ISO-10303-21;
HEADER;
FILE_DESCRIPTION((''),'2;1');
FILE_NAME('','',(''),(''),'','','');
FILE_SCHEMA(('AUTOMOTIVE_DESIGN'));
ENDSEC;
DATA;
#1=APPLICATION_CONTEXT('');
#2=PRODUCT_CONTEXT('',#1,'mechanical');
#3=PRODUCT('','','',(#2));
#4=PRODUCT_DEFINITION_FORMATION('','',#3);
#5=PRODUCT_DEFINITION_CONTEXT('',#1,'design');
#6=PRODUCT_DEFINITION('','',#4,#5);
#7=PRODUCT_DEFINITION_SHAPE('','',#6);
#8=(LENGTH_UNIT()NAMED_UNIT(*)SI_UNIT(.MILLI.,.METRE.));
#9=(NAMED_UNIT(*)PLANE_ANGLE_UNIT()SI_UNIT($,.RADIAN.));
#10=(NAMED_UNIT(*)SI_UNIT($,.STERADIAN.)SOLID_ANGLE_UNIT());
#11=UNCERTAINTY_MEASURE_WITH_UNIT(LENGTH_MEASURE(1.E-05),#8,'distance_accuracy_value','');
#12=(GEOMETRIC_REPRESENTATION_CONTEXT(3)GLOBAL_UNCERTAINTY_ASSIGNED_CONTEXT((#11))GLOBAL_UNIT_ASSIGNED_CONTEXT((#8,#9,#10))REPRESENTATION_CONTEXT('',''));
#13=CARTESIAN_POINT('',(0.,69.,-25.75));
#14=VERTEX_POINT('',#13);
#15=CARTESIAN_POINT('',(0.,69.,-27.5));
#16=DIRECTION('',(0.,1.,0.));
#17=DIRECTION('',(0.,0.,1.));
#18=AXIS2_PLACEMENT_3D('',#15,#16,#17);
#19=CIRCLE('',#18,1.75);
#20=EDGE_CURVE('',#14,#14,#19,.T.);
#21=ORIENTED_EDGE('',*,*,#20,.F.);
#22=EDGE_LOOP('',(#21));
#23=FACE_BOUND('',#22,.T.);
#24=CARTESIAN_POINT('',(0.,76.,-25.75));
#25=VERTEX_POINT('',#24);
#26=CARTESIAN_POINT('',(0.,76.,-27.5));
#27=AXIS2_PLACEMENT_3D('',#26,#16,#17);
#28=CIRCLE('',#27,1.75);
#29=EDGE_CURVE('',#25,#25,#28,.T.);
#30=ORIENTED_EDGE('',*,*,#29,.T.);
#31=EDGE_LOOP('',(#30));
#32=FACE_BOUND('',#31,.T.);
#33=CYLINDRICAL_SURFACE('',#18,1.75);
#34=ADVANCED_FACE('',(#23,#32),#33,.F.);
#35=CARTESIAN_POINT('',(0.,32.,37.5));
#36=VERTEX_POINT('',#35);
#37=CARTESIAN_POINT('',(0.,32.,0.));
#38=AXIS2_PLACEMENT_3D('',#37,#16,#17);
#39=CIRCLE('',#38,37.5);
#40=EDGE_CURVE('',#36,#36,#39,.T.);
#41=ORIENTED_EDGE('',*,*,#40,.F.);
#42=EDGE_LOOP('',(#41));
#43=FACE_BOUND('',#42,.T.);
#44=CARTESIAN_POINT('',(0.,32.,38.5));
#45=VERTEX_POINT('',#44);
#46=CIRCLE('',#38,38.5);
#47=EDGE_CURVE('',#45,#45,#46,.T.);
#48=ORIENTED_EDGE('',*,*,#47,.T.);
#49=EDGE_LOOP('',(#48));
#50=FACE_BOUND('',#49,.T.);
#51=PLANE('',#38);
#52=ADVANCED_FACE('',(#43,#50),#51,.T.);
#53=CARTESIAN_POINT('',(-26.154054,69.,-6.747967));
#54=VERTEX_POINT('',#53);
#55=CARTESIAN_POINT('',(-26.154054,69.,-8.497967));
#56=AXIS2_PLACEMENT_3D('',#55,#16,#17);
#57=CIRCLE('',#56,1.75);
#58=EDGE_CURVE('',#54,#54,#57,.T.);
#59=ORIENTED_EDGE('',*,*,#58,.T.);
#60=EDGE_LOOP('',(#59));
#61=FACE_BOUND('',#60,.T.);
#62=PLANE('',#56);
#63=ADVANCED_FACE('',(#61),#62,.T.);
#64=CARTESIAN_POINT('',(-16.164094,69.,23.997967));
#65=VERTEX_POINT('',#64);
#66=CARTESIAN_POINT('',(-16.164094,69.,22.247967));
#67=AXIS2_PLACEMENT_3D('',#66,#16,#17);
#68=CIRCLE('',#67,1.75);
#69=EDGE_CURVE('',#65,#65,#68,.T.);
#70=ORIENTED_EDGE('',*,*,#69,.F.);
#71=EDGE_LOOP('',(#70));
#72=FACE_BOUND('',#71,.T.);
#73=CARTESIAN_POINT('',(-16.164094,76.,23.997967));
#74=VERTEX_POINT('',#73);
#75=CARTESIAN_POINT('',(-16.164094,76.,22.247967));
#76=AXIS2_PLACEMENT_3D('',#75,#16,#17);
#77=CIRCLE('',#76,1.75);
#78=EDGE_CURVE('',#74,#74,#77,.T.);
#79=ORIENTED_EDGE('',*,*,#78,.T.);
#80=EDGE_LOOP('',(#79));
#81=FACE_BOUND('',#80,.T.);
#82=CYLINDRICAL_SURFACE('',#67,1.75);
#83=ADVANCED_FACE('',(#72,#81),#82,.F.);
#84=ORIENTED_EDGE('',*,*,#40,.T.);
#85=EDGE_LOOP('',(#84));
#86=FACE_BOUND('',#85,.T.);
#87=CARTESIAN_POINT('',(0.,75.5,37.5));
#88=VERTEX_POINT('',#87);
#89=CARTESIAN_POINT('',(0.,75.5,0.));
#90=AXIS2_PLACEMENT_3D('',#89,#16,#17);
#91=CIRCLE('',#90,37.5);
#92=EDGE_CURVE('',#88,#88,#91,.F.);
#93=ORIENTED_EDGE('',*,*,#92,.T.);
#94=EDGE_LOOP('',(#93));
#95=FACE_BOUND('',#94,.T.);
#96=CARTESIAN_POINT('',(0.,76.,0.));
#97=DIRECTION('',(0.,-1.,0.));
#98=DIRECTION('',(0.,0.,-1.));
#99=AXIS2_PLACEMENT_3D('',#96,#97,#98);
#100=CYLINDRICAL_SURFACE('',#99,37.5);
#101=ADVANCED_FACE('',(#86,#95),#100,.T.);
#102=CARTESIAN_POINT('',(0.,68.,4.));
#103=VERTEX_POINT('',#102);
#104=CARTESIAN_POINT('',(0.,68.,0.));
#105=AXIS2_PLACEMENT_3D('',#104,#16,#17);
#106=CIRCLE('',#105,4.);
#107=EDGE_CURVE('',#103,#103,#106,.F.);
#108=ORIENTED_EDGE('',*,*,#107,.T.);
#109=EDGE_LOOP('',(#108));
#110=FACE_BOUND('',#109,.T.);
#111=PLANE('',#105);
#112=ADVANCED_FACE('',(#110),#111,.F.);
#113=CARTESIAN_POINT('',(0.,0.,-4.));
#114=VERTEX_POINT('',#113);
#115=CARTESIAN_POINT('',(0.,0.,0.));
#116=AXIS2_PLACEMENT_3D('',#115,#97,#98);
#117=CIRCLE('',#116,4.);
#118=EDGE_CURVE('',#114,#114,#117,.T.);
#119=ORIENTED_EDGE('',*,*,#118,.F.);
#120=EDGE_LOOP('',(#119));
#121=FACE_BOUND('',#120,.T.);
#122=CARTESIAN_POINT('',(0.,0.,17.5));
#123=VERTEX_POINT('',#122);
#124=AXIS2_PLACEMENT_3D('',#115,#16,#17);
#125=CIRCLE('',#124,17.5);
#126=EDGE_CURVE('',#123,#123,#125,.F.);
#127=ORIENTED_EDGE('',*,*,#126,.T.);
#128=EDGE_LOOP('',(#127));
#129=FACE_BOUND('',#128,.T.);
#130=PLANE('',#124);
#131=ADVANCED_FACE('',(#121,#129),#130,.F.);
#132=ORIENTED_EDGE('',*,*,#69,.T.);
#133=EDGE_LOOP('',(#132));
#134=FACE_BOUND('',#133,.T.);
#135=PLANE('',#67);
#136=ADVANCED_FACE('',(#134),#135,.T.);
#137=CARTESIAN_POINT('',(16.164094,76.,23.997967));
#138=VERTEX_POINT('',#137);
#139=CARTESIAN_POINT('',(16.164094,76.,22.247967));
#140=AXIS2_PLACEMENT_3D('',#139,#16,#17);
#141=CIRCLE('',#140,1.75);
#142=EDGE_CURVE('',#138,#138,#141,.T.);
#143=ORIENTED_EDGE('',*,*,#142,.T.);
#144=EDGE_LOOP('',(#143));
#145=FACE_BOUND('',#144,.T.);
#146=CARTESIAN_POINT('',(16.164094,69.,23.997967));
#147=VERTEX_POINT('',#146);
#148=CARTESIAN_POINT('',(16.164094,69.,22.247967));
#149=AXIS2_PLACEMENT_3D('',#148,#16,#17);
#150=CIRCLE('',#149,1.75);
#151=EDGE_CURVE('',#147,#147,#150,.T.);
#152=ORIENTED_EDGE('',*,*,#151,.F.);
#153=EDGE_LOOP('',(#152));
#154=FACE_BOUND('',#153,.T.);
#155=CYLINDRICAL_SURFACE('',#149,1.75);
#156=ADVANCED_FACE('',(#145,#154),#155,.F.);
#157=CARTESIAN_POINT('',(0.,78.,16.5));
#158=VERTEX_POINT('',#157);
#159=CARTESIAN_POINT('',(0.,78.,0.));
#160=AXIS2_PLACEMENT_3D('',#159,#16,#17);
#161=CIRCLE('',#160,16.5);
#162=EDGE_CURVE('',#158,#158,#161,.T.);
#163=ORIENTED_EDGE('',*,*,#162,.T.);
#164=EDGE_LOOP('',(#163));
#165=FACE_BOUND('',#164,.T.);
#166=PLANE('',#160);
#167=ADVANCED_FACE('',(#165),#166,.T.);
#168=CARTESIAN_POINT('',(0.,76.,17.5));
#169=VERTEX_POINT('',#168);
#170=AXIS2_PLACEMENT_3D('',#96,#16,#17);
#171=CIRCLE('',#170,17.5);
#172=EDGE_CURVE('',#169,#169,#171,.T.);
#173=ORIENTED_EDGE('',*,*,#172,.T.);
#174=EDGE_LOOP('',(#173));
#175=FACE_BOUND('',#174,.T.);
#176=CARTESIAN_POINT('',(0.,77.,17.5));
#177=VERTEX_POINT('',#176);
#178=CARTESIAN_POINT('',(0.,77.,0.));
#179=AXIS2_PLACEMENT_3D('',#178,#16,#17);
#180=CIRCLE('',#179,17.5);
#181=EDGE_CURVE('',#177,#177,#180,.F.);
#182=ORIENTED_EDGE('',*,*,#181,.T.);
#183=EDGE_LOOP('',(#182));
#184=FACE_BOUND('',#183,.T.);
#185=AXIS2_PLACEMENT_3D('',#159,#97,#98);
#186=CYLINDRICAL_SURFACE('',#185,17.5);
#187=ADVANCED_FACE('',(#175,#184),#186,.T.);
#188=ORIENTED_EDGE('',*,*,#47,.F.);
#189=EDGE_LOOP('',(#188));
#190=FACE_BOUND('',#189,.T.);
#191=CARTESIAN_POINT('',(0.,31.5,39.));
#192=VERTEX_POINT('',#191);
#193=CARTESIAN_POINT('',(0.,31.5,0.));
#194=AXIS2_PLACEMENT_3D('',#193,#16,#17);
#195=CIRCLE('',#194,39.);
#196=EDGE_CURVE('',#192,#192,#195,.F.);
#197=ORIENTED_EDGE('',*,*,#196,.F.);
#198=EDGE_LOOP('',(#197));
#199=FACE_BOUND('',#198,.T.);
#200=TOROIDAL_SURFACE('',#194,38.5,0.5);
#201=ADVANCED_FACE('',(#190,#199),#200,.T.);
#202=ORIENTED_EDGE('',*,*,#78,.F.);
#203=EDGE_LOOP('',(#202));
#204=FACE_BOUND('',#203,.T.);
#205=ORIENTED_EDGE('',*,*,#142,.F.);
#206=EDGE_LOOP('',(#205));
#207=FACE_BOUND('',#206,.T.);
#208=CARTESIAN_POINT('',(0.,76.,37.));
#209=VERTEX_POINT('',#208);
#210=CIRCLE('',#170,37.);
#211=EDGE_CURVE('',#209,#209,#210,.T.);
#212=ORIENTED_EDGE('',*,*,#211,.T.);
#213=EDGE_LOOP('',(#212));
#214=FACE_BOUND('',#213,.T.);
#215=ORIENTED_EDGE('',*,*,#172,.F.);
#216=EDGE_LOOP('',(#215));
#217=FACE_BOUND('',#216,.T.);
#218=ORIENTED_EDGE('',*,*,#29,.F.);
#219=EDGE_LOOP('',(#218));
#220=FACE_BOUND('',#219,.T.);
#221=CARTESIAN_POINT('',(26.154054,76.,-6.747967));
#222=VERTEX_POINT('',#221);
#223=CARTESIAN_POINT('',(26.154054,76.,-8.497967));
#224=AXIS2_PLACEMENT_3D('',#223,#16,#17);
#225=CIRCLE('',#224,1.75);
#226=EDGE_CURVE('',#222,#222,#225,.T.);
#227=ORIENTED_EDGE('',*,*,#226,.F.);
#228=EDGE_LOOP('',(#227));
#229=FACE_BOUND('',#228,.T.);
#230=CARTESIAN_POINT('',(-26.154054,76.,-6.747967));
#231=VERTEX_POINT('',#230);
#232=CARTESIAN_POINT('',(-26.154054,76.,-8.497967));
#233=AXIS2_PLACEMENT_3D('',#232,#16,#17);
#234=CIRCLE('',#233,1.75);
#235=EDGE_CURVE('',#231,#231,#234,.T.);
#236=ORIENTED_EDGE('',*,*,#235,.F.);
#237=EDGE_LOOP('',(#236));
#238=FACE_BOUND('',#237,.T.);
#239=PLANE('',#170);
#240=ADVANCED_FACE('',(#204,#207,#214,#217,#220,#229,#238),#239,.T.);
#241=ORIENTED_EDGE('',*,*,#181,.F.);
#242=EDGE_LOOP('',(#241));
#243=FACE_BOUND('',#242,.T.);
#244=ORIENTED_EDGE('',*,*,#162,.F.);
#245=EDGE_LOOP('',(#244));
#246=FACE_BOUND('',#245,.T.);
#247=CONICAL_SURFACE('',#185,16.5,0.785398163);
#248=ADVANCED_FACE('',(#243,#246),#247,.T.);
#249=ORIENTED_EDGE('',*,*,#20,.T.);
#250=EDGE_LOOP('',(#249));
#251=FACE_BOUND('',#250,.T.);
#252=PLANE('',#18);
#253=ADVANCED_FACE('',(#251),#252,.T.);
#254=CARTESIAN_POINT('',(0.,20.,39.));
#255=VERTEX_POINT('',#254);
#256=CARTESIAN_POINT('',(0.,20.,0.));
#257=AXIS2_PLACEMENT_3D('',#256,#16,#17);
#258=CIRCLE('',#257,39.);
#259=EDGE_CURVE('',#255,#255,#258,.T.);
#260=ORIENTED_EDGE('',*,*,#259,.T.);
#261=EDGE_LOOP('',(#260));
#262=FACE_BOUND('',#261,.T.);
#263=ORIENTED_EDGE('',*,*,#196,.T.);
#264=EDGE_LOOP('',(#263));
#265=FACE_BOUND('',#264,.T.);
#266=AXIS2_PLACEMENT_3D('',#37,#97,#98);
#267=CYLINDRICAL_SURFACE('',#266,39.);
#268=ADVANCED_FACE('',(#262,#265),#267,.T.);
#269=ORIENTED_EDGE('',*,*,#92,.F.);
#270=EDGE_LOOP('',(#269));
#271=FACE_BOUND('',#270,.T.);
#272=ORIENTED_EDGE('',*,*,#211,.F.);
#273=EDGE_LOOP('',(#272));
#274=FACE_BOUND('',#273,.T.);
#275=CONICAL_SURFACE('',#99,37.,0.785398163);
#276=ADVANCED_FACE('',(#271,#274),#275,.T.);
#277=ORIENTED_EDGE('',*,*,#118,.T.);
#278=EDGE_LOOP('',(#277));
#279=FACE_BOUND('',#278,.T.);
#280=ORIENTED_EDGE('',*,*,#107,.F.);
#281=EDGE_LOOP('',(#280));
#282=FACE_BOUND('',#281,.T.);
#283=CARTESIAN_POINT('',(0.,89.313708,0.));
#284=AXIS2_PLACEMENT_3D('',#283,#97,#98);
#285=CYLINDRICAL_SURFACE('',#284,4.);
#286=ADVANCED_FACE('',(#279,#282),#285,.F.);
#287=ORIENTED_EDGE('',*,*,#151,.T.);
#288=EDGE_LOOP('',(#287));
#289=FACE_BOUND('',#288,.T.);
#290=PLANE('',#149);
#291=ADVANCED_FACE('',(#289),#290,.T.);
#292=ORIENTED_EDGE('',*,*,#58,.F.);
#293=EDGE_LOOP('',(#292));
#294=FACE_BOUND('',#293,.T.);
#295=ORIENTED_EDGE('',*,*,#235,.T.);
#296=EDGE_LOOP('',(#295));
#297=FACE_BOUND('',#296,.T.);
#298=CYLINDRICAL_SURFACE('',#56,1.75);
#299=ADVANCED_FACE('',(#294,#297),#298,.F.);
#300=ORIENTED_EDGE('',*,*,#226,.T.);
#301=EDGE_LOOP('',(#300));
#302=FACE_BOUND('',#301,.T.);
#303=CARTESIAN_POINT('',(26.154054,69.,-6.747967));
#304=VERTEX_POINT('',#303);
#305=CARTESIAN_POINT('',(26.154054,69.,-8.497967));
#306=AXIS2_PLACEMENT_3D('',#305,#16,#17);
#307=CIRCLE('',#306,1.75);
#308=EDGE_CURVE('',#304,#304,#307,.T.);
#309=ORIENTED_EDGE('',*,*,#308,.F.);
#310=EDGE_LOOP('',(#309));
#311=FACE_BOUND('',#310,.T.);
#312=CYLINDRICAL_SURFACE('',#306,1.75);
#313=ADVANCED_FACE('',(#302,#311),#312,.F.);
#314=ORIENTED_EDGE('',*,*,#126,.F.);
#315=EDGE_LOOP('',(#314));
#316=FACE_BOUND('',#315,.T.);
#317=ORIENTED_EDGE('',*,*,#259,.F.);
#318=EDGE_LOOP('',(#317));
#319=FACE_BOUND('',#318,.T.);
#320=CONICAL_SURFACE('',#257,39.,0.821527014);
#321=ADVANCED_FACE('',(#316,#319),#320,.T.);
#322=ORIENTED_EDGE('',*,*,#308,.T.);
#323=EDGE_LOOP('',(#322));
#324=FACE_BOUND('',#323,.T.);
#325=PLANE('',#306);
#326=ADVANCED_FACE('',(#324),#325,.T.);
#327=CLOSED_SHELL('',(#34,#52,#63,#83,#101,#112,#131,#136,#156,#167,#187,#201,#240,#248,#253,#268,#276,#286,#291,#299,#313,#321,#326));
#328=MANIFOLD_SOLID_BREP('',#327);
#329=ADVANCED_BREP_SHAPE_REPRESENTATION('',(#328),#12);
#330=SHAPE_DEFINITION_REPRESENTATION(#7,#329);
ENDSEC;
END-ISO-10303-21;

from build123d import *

# Parameters (mm, degrees)
SKETCH1_R           = 37.5
SKETCH1_R_2         = 17.5
BOSS_EXTRUDE1_DEPTH = 76
SKETCH1_3_R         = 17.5
BOSS_EXTRUDE2_DEPTH = 78
SKETCH1_4_R         = 39
SKETCH1_4_R_2       = 37.5
BOSS_EXTRUDE3_DEPTH = 32
SKETCH2_R           = 1.75
CUT_EXTRUDE1_DEPTH  = 7
FILLET1_R           = 0.5
CHAMFER1_SIZE       = 0.5
CHAMFER2_SIZE       = 21.5
CHAMFER2_SIZE2      = 20
CHAMFER3_SIZE       = 1
SKETCH4_R           = 4
CUT_EXTRUDE2_DEPTH  = 68


with BuildPart() as part:
    # Sketch1 → Boss-Extrude1 (new body)
    with BuildSketch(Plane(origin=(0, 0, 0), x_dir=(1, 0, 0), z_dir=(0, 1, 0))):
        with Locations(Location((0, 0, 0), (0, 0, 270))):
            Circle(SKETCH1_R)
        with Locations(Location((0, 0, 0), (0, 0, 270))):
            Circle(SKETCH1_R_2, mode=Mode.SUBTRACT)
    extrude(amount=BOSS_EXTRUDE1_DEPTH)

    # Sketch1<3> → Boss-Extrude2 (add)
    with BuildSketch(Plane(origin=(0, 0, 0), x_dir=(1, 0, 0), z_dir=(0, 1, 0))):
        with Locations(Location((0, 0, 0), (0, 0, 270))):
            Circle(SKETCH1_3_R)
    extrude(amount=BOSS_EXTRUDE2_DEPTH)

    # Sketch1<4> → Boss-Extrude3 (add)
    with BuildSketch(Plane(origin=(0, 0, 0), x_dir=(1, 0, 0), z_dir=(0, 1, 0))):
        with Locations(Location((0, 0, 0), (0, 0, 270))):
            Circle(SKETCH1_4_R)
        with Locations(Location((0, 0, 0), (0, 0, 270))):
            Circle(SKETCH1_4_R_2, mode=Mode.SUBTRACT)
    extrude(amount=BOSS_EXTRUDE3_DEPTH)

    # Sketch2 → Cut-Extrude1 (cut)
    with BuildSketch(Plane(origin=(0, 76, 0), x_dir=(1, 0, 0), z_dir=(0, 1, 0))):
        with Locations(Location((0, 27.5, 0), (0, 0, 270))):
            Circle(SKETCH2_R)
        with Locations(Location((26.154054198, 8.497967345, 0), (0, 0, 270))):
            Circle(SKETCH2_R)
        with Locations(Location((16.164094438, -22.247967345, 0), (0, 0, 270))):
            Circle(SKETCH2_R)
        with Locations(Location((-16.164094438, -22.247967345, 0), (0, 0, 270))):
            Circle(SKETCH2_R)
        with Locations(Location((-26.154054198, 8.497967345, 0), (0, 0, 270))):
            Circle(SKETCH2_R)
    extrude(amount=-CUT_EXTRUDE1_DEPTH, mode=Mode.SUBTRACT)

    # Fillet1
    fillet1_edges = [part.edges().sort_by_distance(p)[0] for p in [
        (0, 32, -39),
    ]]
    fillet(fillet1_edges, radius=FILLET1_R)

    # Chamfer1
    chamfer1_edges = [part.edges().sort_by_distance(p)[0] for p in [
        (0, 76, -37.5),
    ]]
    chamfer(chamfer1_edges, length=CHAMFER1_SIZE)

    # Chamfer2
    chamfer2_edges = [part.edges().sort_by_distance(p)[0] for p in [
        (0, 0, -39),
    ]]
    chamfer2_side = [part.faces().sort_by_distance(p)[0] for p in [
        (0, 0, 0),
    ]]
    chamfer(chamfer2_edges, length=CHAMFER2_SIZE, length2=CHAMFER2_SIZE2, reference=chamfer2_side[0])

    # Chamfer3
    chamfer3_edges = [part.edges().sort_by_distance(p)[0] for p in [
        (0, 78, -17.5),
    ]]
    chamfer(chamfer3_edges, length=CHAMFER3_SIZE)

    # Sketch4 → Cut-Extrude2 (cut)
    with BuildSketch(Plane.XZ):
        with Locations(Location((0, 0, 0), (0, 0, 270))):
            Circle(SKETCH4_R)
    extrude(amount=-CUT_EXTRUDE2_DEPTH, mode=Mode.SUBTRACT)


solid = part.part
